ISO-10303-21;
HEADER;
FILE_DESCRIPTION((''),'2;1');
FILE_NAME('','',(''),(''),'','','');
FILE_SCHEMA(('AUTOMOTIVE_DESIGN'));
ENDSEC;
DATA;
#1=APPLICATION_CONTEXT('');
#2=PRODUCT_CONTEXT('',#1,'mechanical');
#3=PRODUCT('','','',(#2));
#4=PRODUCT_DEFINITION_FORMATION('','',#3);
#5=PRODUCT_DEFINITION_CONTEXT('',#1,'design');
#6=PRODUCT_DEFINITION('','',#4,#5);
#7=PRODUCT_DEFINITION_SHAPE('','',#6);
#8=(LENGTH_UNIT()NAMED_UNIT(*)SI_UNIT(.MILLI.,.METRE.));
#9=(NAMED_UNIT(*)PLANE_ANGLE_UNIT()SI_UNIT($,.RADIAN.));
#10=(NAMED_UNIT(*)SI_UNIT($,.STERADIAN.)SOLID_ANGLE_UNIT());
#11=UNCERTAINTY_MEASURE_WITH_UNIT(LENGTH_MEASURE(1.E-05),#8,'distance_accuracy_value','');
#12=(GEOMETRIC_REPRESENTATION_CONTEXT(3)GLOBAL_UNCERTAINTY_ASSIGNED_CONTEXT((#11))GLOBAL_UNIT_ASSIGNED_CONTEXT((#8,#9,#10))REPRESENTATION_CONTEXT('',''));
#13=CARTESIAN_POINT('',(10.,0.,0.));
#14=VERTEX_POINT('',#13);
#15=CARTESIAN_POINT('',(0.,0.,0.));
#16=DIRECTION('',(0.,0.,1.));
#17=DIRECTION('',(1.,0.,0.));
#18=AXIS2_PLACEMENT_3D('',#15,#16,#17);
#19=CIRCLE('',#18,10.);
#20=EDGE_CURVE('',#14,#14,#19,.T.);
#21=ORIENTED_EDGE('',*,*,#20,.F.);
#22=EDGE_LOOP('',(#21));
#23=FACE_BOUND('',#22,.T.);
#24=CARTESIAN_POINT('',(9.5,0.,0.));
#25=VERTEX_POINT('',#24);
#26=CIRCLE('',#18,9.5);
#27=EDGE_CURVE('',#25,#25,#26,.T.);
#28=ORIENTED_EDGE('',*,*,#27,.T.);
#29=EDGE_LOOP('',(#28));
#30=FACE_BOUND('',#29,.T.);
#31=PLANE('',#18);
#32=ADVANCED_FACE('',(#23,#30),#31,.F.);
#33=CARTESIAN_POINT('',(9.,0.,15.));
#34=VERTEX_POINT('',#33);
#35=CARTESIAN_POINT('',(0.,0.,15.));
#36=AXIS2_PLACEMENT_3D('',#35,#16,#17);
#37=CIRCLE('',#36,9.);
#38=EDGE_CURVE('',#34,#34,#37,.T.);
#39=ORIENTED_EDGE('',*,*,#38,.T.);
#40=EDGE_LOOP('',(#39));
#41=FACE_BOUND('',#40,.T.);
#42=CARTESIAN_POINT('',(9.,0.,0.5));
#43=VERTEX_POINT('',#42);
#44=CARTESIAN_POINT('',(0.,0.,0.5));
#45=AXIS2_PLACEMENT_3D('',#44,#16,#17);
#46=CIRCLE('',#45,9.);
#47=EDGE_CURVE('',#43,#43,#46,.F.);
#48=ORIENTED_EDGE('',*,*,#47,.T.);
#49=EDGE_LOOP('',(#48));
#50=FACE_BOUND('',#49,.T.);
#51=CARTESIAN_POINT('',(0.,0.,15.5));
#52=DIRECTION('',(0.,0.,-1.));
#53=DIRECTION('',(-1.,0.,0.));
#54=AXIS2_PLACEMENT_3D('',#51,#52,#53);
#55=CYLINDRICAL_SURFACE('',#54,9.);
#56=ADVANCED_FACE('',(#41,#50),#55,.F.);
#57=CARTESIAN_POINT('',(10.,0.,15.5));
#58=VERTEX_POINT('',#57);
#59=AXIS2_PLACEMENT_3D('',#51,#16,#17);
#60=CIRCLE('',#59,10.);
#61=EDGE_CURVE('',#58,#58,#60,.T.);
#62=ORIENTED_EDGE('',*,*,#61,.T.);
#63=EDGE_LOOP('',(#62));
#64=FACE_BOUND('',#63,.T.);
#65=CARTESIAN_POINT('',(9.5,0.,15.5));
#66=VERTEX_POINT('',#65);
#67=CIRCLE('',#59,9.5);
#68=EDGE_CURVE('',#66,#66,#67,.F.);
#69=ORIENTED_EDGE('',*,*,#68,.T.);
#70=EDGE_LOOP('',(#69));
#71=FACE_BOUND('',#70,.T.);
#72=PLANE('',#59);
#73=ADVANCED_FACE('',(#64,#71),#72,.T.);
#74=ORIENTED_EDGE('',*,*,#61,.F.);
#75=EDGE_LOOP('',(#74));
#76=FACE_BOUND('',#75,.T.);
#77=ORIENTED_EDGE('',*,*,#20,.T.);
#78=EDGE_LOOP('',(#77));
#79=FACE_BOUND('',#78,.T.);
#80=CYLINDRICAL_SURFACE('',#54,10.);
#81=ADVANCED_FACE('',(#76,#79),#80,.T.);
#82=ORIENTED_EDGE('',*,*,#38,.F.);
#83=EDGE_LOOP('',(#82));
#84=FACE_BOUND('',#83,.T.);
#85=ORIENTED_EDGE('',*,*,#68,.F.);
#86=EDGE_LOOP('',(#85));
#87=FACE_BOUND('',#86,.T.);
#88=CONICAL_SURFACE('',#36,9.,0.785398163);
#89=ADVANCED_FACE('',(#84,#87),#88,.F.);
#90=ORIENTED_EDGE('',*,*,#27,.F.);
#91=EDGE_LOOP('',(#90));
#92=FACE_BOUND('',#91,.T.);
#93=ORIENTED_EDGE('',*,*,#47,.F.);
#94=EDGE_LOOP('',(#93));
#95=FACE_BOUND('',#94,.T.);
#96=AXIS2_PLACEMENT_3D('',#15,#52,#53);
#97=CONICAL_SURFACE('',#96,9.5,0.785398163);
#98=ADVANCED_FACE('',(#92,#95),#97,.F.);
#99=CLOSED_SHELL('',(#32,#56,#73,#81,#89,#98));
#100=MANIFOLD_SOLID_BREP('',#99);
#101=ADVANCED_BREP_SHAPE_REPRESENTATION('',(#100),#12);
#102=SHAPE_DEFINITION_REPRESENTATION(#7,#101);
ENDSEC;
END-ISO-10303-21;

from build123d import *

# Parameters (mm, degrees)
SKETCH1_R           = 10
SKETCH1_R_2         = 9
BOSS_EXTRUDE1_DEPTH = 15.5
CHAMFER1_SIZE       = 0.5


with BuildPart() as part:
    # Sketch1 → Boss-Extrude1 (new body)
    with BuildSketch(Plane.XY):
        Circle(SKETCH1_R)
        Circle(SKETCH1_R_2, mode=Mode.SUBTRACT)
    extrude(amount=BOSS_EXTRUDE1_DEPTH)

    # Chamfer1
    chamfer1_edges = [part.edges().sort_by_distance(p)[0] for p in [
        (-9, 0, 0),
        (-9, 0, 15.5),
    ]]
    chamfer(chamfer1_edges, length=CHAMFER1_SIZE)


solid = part.part
